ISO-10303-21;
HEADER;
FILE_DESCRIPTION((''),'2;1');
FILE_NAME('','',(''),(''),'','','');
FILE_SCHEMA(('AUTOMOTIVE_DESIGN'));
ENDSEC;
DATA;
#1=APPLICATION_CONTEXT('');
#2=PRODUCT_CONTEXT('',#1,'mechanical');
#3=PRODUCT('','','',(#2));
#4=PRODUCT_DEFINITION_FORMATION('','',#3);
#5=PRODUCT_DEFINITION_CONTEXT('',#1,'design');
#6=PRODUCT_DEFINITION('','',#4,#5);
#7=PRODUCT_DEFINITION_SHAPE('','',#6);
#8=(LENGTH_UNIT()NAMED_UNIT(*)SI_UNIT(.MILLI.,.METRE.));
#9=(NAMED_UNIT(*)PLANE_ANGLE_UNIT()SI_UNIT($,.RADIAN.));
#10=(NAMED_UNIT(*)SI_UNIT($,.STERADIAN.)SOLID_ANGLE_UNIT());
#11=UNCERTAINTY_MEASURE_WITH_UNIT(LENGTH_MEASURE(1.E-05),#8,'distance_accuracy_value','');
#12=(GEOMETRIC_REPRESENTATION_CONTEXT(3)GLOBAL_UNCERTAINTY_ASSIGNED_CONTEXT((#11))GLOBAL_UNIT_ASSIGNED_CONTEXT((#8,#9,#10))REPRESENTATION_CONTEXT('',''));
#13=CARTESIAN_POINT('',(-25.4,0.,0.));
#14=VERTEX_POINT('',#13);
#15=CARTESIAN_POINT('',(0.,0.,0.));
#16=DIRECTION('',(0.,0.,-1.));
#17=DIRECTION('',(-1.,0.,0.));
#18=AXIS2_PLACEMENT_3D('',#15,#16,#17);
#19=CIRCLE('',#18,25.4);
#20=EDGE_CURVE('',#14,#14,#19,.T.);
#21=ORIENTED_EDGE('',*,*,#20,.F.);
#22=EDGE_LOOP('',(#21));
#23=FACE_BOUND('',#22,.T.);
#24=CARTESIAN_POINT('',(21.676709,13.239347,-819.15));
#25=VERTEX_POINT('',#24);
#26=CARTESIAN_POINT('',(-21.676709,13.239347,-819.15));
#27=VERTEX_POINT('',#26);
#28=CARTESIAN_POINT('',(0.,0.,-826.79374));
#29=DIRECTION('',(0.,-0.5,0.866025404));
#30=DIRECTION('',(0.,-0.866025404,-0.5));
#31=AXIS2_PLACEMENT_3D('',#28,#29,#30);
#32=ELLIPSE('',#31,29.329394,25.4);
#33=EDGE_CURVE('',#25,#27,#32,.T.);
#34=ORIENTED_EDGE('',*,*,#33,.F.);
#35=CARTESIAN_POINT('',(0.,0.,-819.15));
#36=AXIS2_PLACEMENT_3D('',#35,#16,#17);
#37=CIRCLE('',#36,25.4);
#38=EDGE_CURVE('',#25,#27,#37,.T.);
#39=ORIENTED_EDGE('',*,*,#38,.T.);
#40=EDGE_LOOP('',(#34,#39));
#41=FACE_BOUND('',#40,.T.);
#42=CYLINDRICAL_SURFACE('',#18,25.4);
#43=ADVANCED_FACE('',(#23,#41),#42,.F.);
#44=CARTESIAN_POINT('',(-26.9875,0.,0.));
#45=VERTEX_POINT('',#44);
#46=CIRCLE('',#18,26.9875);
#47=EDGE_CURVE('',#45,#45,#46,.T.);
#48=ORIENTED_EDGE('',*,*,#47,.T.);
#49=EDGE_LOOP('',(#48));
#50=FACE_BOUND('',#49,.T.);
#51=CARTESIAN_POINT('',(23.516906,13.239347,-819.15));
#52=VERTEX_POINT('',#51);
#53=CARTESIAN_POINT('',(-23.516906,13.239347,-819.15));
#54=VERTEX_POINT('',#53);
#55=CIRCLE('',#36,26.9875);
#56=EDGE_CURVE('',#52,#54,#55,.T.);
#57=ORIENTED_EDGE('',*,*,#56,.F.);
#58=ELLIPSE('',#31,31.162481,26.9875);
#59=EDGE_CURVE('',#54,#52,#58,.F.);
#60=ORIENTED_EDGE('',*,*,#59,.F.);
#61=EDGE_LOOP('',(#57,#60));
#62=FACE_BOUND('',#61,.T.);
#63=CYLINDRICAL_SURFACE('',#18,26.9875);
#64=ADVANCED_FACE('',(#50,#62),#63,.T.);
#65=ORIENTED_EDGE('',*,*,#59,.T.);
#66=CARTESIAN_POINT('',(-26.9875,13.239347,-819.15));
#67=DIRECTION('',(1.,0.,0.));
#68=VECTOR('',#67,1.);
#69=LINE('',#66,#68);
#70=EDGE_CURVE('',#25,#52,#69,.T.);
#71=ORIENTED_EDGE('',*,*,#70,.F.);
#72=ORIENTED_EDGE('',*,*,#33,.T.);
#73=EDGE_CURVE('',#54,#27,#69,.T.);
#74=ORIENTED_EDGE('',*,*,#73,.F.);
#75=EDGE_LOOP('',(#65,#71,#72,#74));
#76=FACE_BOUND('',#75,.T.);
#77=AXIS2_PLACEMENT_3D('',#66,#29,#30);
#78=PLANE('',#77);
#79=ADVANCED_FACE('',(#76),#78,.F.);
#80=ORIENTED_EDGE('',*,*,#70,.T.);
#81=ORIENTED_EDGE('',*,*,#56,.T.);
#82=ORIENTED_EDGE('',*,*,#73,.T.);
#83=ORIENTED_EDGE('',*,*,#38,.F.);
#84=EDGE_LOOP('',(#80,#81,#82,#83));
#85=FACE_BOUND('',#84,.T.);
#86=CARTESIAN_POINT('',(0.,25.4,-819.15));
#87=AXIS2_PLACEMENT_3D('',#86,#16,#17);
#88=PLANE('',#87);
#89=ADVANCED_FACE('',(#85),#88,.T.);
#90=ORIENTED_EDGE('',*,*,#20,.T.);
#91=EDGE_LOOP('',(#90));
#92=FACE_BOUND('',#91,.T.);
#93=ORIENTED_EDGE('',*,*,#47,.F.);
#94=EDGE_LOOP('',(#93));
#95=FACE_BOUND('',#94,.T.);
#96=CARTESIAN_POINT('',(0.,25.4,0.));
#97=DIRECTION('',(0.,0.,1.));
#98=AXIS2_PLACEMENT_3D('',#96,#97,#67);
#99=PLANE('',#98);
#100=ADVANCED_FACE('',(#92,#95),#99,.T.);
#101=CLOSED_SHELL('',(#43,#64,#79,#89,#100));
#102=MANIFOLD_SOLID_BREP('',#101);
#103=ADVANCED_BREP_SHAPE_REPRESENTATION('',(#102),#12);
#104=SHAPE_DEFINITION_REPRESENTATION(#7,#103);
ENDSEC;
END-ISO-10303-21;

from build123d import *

# Parameters (mm, degrees)
SKETCH1_W               = 819.15
SKETCH1_H               = 1.5875
CUT_EXTRUDE1_DEPTH      = 821.038641048
CUT_EXTRUDE1_DEPTH_BACK = 821.038641048


with BuildPart() as part:
    # Sketch1 → Revolve1 (revolve)
    with BuildSketch(Plane(origin=(0, 0, 0), x_dir=(0, 0, -1), z_dir=(1, 0, 0)), mode=Mode.PRIVATE) as revolve1_sk:
        with Locations((409.575, 26.19375)):
            Rectangle(SKETCH1_W, SKETCH1_H)
    revolve(revolve1_sk.sketch.rotate(Axis((0, 0, 0), (0, 0, 1)), 90), axis=Axis((0, 0, 0), (0, 0, 1)))

    # Sketch2 → Cut-Extrude1 (cut, two sides: drawn at the far end of the back side and taken through both)
    with BuildSketch(Plane(origin=(0, 0, 0), x_dir=(0, 0, -1), z_dir=(1, 0, 0)).offset(-CUT_EXTRUDE1_DEPTH_BACK)):
        Polygon((819.15, 13.239346715), (811.2125, 26.9875), (819.15, 26.9875), align=None)
    extrude(amount=CUT_EXTRUDE1_DEPTH + CUT_EXTRUDE1_DEPTH_BACK, mode=Mode.SUBTRACT)


solid = part.part
